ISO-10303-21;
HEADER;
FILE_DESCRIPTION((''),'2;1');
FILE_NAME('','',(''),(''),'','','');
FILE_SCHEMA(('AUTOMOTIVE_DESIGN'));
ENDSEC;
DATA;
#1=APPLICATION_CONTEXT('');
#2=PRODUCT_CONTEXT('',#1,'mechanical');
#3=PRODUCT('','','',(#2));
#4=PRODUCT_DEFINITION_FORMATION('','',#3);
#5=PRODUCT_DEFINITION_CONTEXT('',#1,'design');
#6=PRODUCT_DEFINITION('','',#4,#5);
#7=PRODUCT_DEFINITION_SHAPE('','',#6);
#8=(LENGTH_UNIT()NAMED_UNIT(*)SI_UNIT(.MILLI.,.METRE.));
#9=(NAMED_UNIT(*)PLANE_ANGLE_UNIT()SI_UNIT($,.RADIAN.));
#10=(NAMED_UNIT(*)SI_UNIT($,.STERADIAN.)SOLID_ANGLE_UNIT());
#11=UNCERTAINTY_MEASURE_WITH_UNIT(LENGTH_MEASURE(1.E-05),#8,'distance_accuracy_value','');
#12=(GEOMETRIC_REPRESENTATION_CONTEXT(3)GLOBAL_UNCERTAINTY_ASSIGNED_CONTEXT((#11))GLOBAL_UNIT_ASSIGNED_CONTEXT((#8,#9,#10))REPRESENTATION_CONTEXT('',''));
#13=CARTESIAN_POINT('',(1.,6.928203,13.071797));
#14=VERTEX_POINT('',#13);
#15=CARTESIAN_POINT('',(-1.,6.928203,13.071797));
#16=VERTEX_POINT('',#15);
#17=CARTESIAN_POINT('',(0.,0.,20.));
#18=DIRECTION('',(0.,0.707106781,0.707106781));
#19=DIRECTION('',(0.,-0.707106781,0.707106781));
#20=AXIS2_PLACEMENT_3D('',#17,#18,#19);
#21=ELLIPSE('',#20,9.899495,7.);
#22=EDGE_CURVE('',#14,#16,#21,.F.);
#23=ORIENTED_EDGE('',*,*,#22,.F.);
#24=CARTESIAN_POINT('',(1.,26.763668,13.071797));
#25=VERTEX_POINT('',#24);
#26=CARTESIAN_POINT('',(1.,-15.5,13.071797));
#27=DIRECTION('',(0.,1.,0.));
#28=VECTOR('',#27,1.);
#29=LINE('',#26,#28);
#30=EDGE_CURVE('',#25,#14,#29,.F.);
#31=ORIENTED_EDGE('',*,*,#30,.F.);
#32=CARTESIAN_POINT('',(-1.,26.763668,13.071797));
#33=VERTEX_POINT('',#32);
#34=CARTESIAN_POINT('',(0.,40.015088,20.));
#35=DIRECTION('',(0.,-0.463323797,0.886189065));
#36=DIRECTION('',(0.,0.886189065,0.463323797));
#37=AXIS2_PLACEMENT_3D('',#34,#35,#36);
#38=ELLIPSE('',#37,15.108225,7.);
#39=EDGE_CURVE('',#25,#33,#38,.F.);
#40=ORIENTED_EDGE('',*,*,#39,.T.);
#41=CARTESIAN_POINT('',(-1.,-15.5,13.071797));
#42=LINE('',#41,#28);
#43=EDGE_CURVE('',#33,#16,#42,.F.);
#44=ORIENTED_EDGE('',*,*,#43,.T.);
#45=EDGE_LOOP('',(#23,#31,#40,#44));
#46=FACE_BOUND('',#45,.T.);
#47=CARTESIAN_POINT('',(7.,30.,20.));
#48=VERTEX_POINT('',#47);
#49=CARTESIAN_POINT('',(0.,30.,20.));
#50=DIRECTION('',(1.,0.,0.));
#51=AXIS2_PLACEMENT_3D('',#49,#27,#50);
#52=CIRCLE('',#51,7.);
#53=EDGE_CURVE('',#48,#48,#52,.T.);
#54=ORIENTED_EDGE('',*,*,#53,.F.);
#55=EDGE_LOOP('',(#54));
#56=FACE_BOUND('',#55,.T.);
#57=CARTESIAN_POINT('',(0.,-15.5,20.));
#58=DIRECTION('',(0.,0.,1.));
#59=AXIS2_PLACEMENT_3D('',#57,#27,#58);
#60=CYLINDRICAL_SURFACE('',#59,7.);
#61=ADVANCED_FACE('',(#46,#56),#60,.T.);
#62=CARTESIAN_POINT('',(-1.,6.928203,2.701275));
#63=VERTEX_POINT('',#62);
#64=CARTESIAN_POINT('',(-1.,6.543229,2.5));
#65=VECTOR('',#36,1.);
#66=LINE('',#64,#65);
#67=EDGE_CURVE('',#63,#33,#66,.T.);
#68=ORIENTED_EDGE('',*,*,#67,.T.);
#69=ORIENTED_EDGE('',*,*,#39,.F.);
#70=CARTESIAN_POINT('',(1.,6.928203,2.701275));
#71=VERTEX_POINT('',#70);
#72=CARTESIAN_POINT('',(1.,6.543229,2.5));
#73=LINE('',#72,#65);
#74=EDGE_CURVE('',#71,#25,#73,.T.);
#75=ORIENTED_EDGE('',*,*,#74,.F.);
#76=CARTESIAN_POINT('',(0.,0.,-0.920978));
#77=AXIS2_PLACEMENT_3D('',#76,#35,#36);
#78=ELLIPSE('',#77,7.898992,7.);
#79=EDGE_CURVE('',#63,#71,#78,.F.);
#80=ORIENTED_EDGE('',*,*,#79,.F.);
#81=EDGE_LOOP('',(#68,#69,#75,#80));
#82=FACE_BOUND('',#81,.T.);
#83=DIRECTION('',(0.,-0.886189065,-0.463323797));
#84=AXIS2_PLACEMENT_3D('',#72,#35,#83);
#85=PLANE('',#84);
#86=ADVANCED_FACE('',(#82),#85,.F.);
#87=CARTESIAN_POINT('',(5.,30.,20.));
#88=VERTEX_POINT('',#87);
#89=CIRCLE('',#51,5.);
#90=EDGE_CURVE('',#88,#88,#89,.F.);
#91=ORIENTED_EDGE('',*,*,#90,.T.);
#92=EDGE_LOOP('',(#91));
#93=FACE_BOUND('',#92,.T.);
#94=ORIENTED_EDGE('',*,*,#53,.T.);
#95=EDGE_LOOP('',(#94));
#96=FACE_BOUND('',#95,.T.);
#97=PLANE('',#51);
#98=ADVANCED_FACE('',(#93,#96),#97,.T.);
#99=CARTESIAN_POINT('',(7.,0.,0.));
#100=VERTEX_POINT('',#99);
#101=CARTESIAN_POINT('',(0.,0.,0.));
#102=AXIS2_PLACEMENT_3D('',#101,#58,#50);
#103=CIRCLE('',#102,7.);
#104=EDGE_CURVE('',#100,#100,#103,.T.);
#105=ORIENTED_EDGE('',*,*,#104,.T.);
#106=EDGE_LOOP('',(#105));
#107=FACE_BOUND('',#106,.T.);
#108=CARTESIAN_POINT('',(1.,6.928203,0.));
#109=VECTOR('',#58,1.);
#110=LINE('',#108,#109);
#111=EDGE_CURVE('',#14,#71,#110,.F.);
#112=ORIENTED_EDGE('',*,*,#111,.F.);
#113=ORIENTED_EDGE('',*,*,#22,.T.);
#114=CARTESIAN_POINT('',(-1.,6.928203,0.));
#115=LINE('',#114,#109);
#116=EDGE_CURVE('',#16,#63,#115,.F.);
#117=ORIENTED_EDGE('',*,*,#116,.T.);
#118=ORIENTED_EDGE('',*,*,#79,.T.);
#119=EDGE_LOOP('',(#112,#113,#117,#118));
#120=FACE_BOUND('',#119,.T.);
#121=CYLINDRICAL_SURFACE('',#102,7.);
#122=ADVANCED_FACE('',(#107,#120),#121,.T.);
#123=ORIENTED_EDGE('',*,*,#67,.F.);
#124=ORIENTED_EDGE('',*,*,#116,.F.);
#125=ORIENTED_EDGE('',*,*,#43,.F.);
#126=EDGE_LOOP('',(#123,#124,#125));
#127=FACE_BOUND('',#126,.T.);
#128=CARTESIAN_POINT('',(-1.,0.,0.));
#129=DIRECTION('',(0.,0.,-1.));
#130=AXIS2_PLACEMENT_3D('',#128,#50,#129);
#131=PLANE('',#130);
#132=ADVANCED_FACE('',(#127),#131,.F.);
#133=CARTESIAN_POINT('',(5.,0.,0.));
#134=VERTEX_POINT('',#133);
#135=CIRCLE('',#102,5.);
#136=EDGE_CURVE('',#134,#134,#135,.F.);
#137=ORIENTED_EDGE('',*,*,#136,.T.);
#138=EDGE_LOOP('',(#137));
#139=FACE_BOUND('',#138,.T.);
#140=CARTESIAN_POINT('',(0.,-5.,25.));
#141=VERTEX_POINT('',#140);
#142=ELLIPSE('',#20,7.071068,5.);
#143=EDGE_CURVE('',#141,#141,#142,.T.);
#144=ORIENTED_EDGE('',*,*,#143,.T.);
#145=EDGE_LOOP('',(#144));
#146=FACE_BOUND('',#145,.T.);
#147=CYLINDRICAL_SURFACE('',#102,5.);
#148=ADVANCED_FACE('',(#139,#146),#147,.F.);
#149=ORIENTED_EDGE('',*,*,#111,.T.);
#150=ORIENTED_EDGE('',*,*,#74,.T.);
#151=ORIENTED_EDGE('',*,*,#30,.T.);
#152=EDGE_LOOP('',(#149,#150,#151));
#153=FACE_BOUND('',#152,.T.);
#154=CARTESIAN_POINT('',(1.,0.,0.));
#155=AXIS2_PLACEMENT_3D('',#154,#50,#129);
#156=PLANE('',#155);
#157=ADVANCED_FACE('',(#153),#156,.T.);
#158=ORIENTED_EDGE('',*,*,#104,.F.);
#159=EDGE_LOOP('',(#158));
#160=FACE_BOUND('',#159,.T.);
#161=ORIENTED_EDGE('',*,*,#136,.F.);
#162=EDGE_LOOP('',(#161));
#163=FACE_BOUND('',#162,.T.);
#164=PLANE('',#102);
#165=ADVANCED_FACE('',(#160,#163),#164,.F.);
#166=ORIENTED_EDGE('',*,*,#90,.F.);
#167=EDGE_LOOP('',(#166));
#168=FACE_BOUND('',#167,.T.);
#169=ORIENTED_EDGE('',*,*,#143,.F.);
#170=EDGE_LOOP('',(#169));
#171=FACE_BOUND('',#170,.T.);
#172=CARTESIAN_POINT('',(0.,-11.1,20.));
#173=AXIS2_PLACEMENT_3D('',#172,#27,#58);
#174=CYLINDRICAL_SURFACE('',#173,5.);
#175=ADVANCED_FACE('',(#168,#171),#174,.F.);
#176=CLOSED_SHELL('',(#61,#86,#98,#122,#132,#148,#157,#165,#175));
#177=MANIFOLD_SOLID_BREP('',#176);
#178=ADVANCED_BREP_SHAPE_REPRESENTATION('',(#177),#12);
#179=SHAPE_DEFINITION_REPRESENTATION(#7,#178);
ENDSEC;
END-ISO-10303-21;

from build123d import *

# Parameters (mm, degrees)
SKETCH2_R           = 7
SKETCH2_R_2         = 5
BOSS_EXTRUDE1_DEPTH = 1


with BuildPart() as part:
    # Sweep1: sweep along a path in Sketch1
    with BuildLine(Plane.ZY) as sweep1_path:
        Line((0, 0), (20, 0))
        Line((20, 0), (20, 30))
    # Sketch2 → Sweep1 (sweep)
    with BuildSketch(Plane.XY):
        Circle(SKETCH2_R)
        Circle(SKETCH2_R_2, mode=Mode.SUBTRACT)
    sweep(path=sweep1_path.line, transition=Transition.RIGHT)

    # Sketch3 → Boss-Extrude1 (add, symmetric)
    with BuildSketch(Plane(origin=(0, 0, 0), x_dir=(0, 0, -1), z_dir=(1, 0, 0))):
        Polygon((-13.456771137, 6.543228863), (-2.5, 6.543228863), (-13.456771137, 27.5), align=None)
    extrude(amount=BOSS_EXTRUDE1_DEPTH, both=True)


solid = part.part
